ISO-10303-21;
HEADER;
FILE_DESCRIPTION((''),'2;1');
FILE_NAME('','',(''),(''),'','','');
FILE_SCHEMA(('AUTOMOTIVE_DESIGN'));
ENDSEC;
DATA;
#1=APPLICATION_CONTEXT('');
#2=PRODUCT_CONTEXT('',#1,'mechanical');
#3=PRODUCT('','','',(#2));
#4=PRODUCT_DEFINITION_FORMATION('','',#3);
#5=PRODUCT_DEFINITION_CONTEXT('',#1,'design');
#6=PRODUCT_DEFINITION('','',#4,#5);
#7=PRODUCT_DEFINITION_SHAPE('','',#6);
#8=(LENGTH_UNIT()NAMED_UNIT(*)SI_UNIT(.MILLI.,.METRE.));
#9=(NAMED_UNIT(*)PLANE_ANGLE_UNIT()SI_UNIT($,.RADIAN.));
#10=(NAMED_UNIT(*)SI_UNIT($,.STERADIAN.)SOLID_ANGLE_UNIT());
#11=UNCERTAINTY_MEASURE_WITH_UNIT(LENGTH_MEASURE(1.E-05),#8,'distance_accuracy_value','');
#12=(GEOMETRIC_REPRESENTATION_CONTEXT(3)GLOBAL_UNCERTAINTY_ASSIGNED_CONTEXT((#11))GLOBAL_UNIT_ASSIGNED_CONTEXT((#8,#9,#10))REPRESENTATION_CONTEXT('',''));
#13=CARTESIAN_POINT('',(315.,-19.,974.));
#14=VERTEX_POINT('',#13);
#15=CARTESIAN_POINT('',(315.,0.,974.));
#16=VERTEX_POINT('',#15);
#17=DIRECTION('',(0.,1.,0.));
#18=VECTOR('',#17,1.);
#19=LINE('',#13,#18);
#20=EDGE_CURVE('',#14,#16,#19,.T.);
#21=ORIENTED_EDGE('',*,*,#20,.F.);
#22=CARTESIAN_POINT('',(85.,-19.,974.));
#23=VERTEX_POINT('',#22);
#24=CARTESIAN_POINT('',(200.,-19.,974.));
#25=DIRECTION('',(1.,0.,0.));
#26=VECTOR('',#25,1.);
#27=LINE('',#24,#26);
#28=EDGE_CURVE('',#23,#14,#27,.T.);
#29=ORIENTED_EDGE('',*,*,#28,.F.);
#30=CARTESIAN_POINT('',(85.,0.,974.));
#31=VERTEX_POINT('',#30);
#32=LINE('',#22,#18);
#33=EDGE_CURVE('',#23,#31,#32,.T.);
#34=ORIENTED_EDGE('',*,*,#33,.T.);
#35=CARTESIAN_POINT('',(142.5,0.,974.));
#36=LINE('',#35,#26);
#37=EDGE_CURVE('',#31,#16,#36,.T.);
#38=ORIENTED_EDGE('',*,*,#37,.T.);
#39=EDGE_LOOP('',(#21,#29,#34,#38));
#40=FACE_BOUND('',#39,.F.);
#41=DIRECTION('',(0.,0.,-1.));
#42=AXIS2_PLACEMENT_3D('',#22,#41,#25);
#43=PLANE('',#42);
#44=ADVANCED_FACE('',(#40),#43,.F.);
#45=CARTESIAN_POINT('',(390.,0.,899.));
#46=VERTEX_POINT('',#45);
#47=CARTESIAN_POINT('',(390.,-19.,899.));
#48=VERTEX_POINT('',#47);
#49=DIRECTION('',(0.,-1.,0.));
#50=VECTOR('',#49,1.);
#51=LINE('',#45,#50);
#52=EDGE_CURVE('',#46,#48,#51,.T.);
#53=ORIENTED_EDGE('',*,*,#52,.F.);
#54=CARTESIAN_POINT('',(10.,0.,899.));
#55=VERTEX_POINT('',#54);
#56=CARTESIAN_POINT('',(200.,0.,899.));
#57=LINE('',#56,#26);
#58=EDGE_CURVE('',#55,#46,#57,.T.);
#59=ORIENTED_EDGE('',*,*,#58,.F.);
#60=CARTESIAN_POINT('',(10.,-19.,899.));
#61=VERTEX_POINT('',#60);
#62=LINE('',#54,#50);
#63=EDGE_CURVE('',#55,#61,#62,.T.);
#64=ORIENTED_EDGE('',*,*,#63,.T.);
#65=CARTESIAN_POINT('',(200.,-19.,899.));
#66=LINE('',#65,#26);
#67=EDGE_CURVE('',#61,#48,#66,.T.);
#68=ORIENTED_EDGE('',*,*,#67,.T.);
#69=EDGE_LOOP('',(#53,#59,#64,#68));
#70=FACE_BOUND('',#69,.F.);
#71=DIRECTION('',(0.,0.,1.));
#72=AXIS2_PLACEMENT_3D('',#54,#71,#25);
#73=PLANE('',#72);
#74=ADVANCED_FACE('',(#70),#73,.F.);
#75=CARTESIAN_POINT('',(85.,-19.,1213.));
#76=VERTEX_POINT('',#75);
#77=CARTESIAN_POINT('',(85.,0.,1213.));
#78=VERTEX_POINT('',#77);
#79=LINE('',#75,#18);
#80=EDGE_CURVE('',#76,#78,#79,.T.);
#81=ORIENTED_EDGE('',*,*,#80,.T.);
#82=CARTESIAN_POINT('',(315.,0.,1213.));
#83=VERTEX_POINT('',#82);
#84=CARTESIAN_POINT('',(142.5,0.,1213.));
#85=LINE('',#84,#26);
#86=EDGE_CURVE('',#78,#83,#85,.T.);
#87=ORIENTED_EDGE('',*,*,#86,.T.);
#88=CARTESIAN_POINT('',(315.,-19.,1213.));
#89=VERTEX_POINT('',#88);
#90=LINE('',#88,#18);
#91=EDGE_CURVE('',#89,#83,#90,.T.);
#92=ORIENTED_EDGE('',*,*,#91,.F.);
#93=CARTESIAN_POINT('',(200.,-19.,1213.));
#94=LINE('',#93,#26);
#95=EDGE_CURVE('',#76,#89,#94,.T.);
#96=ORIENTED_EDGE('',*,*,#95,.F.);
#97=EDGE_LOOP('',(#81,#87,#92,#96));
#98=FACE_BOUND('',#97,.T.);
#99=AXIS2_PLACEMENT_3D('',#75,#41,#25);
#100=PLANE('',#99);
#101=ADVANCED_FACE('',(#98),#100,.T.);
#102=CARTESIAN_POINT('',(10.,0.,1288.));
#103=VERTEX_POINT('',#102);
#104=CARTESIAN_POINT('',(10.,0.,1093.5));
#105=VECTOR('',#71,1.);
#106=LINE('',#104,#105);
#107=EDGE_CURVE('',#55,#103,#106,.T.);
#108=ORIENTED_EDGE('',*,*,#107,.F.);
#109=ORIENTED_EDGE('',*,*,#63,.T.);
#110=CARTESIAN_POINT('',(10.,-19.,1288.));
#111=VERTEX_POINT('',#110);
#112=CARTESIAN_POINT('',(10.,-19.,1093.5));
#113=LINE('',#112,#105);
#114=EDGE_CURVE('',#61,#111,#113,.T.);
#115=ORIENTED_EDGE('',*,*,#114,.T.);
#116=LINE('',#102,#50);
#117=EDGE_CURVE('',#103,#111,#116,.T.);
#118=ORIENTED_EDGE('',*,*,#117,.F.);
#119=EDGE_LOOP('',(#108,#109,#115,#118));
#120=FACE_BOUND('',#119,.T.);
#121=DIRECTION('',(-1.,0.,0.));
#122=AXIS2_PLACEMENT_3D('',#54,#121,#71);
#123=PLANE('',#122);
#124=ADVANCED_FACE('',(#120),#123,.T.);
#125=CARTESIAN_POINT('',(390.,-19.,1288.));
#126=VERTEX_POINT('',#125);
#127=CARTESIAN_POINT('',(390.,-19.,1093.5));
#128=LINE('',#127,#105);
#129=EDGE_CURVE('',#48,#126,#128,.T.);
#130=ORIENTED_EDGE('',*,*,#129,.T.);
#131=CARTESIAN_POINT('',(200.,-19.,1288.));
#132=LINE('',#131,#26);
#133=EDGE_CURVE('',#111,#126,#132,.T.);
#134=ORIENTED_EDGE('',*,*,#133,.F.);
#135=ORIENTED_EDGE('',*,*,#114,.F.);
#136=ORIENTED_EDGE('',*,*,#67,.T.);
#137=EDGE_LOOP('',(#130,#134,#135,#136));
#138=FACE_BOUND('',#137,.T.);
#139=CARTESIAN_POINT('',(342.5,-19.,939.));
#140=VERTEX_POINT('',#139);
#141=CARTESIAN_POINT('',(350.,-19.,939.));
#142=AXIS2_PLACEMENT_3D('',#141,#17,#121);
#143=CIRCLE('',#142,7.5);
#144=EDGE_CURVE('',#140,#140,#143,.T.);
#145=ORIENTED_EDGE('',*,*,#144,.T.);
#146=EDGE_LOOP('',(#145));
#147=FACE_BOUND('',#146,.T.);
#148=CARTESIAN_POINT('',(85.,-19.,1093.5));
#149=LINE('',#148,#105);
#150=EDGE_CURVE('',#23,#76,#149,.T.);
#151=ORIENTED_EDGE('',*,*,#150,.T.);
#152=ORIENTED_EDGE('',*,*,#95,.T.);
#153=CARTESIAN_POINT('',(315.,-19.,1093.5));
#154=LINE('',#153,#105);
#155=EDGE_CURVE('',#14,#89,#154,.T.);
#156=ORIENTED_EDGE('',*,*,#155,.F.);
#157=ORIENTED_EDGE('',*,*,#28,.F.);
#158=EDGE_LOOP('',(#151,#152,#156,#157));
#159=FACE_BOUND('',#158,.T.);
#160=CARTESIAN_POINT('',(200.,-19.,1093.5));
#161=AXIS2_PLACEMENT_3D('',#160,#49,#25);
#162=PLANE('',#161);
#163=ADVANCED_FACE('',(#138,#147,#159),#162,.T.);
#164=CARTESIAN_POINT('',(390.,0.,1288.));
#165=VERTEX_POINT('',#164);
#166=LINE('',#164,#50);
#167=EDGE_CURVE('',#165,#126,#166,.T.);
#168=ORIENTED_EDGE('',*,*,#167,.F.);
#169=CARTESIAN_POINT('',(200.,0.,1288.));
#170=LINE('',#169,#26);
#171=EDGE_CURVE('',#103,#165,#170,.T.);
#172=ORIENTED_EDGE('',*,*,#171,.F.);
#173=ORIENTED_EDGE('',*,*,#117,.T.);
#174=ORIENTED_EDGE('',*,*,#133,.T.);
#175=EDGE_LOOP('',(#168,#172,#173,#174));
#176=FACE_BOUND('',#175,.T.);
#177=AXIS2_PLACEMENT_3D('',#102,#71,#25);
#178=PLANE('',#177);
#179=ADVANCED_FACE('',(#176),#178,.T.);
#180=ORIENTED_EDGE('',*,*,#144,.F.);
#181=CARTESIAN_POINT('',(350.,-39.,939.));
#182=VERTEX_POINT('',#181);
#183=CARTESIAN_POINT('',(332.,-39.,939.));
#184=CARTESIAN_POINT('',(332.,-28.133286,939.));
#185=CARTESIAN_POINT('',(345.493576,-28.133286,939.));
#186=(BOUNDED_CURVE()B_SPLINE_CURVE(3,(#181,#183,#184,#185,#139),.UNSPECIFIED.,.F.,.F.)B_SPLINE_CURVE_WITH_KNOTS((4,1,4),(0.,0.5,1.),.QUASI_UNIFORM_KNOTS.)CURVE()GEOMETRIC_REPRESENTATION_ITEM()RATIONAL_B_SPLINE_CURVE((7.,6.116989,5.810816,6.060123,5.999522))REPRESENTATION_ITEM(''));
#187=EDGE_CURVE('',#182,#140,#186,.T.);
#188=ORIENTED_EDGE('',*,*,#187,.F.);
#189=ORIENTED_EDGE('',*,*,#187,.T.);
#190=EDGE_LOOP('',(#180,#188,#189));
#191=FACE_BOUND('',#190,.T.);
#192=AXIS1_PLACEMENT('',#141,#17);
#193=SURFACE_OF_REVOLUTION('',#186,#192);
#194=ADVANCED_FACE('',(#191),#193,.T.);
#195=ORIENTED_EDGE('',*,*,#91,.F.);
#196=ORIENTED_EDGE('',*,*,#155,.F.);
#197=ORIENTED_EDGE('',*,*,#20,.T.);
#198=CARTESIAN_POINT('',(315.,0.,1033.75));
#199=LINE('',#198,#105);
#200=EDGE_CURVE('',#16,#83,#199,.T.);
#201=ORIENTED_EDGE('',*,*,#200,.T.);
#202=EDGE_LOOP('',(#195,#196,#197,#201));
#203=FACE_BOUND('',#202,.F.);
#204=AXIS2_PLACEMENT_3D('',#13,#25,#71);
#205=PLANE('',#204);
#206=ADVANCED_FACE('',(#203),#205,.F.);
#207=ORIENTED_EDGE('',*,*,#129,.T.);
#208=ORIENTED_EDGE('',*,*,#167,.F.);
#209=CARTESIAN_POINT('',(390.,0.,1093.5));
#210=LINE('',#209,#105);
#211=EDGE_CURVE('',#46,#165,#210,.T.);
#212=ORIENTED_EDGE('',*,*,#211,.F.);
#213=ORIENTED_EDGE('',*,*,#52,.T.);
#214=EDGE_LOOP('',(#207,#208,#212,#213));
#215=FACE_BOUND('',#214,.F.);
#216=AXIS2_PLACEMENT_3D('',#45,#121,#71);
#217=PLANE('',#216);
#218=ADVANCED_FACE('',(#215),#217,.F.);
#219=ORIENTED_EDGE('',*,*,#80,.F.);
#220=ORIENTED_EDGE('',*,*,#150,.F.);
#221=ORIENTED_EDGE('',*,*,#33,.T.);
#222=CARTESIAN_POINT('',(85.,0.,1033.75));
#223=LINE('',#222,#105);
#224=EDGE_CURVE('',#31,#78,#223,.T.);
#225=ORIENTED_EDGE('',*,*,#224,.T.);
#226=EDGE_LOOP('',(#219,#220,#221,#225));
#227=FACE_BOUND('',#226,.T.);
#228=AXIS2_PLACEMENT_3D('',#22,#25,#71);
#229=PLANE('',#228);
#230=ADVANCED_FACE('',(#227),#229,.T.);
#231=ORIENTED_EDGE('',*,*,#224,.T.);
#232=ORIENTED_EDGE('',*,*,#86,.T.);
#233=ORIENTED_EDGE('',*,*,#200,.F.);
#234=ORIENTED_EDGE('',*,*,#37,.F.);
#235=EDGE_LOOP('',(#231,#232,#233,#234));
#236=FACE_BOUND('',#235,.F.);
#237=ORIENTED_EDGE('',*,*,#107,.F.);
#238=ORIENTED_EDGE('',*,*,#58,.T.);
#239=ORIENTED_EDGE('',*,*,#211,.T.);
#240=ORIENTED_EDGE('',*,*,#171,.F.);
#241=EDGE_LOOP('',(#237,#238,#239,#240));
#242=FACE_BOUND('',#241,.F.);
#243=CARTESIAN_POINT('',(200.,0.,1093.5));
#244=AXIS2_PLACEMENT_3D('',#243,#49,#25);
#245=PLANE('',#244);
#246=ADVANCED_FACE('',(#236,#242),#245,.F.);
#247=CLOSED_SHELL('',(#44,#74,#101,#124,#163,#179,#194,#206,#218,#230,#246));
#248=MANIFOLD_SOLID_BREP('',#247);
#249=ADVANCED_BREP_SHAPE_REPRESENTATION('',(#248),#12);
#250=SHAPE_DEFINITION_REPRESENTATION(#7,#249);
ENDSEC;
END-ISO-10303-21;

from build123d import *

# Parameters (mm, degrees)
CLONE2D012_W    = 380
CLONE2D012_H    = 389
PAD014_DEPTH    = 19
SKETCH035_W     = 230
SKETCH035_H     = 239
POCKET014_DEPTH = 19.001


with BuildPart() as part:
    # Clone2D012 → Pad014 (new body)
    with BuildSketch(Plane.XZ):
        with Locations((190, 194.5)):
            Rectangle(CLONE2D012_W, CLONE2D012_H)
    extrude(amount=PAD014_DEPTH)

    # Sketch035 (on Face6 of Pad014) → Pocket014 (cut, through all)
    with BuildSketch(Plane.XZ.offset(19)):
        with Locations((190, 194.5)):
            Rectangle(SKETCH035_W, SKETCH035_H)
    extrude(amount=-POCKET014_DEPTH, mode=Mode.SUBTRACT)

    # Clone2D013 → Revolution007 (revolve)
    with BuildSketch(Plane(origin=(340, -19, 40), x_dir=(1, 0, 0), z_dir=(0, 0, 1))):
        with BuildLine():
            Line((0, 0), (0, -20))
            add(Edge.make_bspline(
                [(0, -20), (-18, -20), (-18, -9.133286), (-4.506424, -9.133286), (-7.5, 0)],
                knots=[0, 0, 0, 0, 0.5, 1, 1, 1, 1], degree=3, weights=[7, 6.116989, 5.810816, 6.060123, 5.999522]))
            Line((-7.5, 0), (0, 0))
        make_face()
    revolve(axis=Axis((340, -19, 40), (0, 1, 0)))


with BuildPart() as part_1:
    # Body017 placement: moved
    add(part.part.moved(Location((784.5, 0, 899))))


with BuildPart() as part_2:
    # Clone003 placement: moved
    add(part_1.part.moved(Location((-784.5, 0, -899))))


with BuildPart() as part_3:
    # Body018 placement: moved
    add(part_2.part.moved(Location((10, 0, 899))))


solid = part_3.part
